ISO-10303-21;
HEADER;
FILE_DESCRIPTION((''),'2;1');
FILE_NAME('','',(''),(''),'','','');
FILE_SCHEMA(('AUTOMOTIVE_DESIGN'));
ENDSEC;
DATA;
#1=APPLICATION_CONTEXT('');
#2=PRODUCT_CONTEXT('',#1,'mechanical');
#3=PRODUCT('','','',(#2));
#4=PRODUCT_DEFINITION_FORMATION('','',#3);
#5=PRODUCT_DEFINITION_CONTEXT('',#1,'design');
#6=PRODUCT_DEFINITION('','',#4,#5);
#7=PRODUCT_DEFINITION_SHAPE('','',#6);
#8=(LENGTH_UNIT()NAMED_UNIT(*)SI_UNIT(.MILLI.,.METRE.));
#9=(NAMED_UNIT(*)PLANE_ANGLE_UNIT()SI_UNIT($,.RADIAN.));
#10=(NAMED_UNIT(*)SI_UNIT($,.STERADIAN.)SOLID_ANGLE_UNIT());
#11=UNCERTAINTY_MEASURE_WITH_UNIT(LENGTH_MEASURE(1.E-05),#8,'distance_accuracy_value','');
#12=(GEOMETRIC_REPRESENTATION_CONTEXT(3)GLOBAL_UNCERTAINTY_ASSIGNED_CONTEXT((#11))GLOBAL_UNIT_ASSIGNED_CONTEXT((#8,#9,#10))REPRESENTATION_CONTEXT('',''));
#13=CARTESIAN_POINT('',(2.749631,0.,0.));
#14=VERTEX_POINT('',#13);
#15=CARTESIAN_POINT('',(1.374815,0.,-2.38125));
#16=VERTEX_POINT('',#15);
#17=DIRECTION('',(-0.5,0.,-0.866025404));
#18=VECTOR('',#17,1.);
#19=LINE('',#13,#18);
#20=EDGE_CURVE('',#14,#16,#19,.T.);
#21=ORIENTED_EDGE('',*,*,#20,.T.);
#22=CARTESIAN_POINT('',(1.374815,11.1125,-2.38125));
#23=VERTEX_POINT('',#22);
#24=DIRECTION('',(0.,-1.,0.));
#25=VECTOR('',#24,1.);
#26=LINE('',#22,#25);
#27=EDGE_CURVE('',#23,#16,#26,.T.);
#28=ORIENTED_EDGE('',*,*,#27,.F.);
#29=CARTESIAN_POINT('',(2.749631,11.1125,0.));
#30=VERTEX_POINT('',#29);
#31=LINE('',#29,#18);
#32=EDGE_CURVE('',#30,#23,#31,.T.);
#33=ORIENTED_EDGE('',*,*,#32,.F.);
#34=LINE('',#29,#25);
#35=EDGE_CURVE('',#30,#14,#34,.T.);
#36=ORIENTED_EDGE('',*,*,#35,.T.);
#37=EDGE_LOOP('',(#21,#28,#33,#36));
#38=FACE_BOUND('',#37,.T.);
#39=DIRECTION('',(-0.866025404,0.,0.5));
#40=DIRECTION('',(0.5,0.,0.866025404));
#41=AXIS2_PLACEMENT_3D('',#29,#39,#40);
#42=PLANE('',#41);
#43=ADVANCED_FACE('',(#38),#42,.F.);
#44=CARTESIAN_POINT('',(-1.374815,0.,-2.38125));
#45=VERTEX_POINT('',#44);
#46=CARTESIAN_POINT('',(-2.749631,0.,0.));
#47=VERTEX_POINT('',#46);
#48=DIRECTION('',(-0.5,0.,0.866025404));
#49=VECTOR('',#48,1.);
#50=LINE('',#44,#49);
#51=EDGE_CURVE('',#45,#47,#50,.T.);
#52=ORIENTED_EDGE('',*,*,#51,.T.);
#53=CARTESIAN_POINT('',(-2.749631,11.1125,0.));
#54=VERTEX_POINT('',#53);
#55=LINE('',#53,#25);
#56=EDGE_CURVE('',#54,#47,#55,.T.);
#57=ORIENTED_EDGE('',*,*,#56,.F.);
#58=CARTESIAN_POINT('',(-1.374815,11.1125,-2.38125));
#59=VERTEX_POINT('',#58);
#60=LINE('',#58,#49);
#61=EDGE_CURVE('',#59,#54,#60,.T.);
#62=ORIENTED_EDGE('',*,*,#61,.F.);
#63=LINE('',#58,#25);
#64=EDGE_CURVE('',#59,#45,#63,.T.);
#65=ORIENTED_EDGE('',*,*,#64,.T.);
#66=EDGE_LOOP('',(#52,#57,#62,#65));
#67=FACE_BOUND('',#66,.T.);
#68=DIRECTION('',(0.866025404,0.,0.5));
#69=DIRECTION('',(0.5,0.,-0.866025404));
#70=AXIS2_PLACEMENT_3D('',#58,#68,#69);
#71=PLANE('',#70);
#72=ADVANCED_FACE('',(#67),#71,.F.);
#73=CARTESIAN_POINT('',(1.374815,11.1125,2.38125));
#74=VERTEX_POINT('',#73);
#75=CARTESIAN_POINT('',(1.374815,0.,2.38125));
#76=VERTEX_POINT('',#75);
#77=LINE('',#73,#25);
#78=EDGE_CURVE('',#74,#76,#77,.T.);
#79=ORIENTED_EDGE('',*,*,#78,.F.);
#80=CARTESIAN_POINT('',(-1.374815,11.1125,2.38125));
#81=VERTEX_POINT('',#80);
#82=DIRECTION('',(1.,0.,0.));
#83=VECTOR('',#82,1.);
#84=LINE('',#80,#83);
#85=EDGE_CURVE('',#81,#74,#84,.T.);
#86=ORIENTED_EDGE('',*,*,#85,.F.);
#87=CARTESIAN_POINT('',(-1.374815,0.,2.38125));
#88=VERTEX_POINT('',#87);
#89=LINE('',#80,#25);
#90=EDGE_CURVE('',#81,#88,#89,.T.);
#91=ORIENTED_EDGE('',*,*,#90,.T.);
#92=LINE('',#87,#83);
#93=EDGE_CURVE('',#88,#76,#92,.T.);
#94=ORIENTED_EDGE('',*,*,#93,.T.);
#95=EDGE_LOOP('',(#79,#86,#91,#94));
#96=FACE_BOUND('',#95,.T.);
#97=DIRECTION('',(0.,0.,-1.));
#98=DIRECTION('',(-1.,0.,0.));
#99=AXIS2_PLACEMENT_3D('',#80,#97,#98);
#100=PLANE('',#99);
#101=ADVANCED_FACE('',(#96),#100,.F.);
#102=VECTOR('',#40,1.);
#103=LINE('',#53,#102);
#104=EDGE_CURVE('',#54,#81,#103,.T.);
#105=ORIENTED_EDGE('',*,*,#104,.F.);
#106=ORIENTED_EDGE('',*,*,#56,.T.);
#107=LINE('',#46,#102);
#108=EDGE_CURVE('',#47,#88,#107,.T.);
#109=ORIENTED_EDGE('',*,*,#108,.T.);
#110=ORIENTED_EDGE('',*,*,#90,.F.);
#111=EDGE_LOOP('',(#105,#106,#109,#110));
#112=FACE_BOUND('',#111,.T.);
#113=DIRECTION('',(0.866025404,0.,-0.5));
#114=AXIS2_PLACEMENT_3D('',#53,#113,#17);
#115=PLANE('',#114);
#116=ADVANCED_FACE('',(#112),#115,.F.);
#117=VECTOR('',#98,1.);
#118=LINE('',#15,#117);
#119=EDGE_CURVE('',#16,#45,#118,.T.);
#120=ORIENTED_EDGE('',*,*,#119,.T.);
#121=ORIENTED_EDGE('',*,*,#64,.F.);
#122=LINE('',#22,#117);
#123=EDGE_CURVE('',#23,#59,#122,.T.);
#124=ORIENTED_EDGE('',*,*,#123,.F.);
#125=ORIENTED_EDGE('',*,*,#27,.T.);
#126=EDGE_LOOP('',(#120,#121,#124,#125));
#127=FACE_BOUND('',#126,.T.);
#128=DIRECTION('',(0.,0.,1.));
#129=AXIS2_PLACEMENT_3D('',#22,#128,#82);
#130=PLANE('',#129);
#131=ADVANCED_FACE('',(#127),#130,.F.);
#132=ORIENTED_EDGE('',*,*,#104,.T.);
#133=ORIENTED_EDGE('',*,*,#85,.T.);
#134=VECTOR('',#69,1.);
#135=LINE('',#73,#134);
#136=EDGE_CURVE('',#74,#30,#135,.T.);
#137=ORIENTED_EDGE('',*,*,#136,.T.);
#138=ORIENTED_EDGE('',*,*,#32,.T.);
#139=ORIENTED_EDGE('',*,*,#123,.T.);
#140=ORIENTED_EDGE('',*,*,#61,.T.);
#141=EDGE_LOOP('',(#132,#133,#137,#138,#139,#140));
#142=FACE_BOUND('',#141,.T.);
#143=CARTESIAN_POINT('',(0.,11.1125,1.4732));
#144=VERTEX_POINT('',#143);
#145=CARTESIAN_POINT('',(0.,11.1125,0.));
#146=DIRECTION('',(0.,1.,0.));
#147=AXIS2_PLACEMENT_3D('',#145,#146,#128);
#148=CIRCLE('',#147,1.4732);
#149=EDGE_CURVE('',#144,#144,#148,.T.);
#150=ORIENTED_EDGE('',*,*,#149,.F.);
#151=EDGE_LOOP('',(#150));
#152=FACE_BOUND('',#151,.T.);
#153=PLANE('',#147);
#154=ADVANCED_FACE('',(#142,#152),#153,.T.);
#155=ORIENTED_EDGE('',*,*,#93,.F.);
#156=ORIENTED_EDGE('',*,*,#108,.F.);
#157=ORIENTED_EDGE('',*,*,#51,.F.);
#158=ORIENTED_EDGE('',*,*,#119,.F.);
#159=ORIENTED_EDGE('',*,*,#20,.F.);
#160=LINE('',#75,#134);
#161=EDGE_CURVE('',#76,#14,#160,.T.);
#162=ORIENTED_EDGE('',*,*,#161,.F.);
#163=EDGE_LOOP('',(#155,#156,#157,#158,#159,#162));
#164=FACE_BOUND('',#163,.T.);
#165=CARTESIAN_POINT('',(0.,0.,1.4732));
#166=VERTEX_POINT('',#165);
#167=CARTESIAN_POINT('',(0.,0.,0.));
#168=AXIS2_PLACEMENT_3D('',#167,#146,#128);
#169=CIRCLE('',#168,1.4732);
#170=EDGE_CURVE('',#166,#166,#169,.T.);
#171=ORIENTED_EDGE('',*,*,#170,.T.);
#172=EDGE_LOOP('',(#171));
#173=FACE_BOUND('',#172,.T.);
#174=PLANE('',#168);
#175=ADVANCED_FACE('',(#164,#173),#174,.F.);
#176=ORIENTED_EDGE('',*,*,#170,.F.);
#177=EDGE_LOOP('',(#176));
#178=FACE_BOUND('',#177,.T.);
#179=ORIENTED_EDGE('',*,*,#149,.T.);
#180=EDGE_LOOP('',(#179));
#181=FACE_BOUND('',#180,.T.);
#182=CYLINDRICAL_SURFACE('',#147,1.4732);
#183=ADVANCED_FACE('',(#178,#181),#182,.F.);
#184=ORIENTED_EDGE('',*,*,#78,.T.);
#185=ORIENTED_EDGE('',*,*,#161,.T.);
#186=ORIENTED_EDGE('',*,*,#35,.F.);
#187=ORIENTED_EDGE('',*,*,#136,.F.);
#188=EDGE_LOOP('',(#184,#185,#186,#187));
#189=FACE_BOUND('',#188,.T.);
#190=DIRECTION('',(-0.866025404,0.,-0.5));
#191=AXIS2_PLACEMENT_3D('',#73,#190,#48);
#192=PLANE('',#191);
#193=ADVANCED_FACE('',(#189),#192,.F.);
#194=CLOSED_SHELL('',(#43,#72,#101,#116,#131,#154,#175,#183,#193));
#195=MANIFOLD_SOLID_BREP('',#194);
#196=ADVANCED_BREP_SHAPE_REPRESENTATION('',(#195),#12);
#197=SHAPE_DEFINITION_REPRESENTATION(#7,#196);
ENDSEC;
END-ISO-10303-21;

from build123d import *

# Parameters (mm, degrees)
BOSS_EXTRUDE1_DEPTH              = 11.1125
F_97_0_0059_DIAMETER_HOLE1_D     = 2.9464
F_97_0_0059_DIAMETER_HOLE1_DEPTH = 25.4
F_97_0_0059_DIAMETER_HOLE1_TIP   = 0.885187864


with BuildPart() as part:
    # Sketch1 → Boss-Extrude1 (new body)
    with BuildSketch(Plane(origin=(0, 0, 0), x_dir=(1, 0, 0), z_dir=(0, 1, 0))):
        Polygon((2.749630657, 0), (1.374815329, 2.38125), (-1.374815329, 2.38125), (-2.749630657, 0), (-1.374815329, -2.38125), (1.374815329, -2.38125), align=None)
    extrude(amount=BOSS_EXTRUDE1_DEPTH)

    # #97 (0.0059) Diameter Hole1
    with Locations(Plane(origin=(0, 11.1125, 0), x_dir=(1, 0, 0), z_dir=(0, 1, 0))):
        with Locations((0, 0)):
            Hole(F_97_0_0059_DIAMETER_HOLE1_D / 2, depth=F_97_0_0059_DIAMETER_HOLE1_DEPTH)
            with Locations((0, 0, -(F_97_0_0059_DIAMETER_HOLE1_DEPTH + F_97_0_0059_DIAMETER_HOLE1_TIP / 2))):  # 118° drill point
                Cone(0, F_97_0_0059_DIAMETER_HOLE1_D / 2, F_97_0_0059_DIAMETER_HOLE1_TIP, mode=Mode.SUBTRACT)


solid = part.part
